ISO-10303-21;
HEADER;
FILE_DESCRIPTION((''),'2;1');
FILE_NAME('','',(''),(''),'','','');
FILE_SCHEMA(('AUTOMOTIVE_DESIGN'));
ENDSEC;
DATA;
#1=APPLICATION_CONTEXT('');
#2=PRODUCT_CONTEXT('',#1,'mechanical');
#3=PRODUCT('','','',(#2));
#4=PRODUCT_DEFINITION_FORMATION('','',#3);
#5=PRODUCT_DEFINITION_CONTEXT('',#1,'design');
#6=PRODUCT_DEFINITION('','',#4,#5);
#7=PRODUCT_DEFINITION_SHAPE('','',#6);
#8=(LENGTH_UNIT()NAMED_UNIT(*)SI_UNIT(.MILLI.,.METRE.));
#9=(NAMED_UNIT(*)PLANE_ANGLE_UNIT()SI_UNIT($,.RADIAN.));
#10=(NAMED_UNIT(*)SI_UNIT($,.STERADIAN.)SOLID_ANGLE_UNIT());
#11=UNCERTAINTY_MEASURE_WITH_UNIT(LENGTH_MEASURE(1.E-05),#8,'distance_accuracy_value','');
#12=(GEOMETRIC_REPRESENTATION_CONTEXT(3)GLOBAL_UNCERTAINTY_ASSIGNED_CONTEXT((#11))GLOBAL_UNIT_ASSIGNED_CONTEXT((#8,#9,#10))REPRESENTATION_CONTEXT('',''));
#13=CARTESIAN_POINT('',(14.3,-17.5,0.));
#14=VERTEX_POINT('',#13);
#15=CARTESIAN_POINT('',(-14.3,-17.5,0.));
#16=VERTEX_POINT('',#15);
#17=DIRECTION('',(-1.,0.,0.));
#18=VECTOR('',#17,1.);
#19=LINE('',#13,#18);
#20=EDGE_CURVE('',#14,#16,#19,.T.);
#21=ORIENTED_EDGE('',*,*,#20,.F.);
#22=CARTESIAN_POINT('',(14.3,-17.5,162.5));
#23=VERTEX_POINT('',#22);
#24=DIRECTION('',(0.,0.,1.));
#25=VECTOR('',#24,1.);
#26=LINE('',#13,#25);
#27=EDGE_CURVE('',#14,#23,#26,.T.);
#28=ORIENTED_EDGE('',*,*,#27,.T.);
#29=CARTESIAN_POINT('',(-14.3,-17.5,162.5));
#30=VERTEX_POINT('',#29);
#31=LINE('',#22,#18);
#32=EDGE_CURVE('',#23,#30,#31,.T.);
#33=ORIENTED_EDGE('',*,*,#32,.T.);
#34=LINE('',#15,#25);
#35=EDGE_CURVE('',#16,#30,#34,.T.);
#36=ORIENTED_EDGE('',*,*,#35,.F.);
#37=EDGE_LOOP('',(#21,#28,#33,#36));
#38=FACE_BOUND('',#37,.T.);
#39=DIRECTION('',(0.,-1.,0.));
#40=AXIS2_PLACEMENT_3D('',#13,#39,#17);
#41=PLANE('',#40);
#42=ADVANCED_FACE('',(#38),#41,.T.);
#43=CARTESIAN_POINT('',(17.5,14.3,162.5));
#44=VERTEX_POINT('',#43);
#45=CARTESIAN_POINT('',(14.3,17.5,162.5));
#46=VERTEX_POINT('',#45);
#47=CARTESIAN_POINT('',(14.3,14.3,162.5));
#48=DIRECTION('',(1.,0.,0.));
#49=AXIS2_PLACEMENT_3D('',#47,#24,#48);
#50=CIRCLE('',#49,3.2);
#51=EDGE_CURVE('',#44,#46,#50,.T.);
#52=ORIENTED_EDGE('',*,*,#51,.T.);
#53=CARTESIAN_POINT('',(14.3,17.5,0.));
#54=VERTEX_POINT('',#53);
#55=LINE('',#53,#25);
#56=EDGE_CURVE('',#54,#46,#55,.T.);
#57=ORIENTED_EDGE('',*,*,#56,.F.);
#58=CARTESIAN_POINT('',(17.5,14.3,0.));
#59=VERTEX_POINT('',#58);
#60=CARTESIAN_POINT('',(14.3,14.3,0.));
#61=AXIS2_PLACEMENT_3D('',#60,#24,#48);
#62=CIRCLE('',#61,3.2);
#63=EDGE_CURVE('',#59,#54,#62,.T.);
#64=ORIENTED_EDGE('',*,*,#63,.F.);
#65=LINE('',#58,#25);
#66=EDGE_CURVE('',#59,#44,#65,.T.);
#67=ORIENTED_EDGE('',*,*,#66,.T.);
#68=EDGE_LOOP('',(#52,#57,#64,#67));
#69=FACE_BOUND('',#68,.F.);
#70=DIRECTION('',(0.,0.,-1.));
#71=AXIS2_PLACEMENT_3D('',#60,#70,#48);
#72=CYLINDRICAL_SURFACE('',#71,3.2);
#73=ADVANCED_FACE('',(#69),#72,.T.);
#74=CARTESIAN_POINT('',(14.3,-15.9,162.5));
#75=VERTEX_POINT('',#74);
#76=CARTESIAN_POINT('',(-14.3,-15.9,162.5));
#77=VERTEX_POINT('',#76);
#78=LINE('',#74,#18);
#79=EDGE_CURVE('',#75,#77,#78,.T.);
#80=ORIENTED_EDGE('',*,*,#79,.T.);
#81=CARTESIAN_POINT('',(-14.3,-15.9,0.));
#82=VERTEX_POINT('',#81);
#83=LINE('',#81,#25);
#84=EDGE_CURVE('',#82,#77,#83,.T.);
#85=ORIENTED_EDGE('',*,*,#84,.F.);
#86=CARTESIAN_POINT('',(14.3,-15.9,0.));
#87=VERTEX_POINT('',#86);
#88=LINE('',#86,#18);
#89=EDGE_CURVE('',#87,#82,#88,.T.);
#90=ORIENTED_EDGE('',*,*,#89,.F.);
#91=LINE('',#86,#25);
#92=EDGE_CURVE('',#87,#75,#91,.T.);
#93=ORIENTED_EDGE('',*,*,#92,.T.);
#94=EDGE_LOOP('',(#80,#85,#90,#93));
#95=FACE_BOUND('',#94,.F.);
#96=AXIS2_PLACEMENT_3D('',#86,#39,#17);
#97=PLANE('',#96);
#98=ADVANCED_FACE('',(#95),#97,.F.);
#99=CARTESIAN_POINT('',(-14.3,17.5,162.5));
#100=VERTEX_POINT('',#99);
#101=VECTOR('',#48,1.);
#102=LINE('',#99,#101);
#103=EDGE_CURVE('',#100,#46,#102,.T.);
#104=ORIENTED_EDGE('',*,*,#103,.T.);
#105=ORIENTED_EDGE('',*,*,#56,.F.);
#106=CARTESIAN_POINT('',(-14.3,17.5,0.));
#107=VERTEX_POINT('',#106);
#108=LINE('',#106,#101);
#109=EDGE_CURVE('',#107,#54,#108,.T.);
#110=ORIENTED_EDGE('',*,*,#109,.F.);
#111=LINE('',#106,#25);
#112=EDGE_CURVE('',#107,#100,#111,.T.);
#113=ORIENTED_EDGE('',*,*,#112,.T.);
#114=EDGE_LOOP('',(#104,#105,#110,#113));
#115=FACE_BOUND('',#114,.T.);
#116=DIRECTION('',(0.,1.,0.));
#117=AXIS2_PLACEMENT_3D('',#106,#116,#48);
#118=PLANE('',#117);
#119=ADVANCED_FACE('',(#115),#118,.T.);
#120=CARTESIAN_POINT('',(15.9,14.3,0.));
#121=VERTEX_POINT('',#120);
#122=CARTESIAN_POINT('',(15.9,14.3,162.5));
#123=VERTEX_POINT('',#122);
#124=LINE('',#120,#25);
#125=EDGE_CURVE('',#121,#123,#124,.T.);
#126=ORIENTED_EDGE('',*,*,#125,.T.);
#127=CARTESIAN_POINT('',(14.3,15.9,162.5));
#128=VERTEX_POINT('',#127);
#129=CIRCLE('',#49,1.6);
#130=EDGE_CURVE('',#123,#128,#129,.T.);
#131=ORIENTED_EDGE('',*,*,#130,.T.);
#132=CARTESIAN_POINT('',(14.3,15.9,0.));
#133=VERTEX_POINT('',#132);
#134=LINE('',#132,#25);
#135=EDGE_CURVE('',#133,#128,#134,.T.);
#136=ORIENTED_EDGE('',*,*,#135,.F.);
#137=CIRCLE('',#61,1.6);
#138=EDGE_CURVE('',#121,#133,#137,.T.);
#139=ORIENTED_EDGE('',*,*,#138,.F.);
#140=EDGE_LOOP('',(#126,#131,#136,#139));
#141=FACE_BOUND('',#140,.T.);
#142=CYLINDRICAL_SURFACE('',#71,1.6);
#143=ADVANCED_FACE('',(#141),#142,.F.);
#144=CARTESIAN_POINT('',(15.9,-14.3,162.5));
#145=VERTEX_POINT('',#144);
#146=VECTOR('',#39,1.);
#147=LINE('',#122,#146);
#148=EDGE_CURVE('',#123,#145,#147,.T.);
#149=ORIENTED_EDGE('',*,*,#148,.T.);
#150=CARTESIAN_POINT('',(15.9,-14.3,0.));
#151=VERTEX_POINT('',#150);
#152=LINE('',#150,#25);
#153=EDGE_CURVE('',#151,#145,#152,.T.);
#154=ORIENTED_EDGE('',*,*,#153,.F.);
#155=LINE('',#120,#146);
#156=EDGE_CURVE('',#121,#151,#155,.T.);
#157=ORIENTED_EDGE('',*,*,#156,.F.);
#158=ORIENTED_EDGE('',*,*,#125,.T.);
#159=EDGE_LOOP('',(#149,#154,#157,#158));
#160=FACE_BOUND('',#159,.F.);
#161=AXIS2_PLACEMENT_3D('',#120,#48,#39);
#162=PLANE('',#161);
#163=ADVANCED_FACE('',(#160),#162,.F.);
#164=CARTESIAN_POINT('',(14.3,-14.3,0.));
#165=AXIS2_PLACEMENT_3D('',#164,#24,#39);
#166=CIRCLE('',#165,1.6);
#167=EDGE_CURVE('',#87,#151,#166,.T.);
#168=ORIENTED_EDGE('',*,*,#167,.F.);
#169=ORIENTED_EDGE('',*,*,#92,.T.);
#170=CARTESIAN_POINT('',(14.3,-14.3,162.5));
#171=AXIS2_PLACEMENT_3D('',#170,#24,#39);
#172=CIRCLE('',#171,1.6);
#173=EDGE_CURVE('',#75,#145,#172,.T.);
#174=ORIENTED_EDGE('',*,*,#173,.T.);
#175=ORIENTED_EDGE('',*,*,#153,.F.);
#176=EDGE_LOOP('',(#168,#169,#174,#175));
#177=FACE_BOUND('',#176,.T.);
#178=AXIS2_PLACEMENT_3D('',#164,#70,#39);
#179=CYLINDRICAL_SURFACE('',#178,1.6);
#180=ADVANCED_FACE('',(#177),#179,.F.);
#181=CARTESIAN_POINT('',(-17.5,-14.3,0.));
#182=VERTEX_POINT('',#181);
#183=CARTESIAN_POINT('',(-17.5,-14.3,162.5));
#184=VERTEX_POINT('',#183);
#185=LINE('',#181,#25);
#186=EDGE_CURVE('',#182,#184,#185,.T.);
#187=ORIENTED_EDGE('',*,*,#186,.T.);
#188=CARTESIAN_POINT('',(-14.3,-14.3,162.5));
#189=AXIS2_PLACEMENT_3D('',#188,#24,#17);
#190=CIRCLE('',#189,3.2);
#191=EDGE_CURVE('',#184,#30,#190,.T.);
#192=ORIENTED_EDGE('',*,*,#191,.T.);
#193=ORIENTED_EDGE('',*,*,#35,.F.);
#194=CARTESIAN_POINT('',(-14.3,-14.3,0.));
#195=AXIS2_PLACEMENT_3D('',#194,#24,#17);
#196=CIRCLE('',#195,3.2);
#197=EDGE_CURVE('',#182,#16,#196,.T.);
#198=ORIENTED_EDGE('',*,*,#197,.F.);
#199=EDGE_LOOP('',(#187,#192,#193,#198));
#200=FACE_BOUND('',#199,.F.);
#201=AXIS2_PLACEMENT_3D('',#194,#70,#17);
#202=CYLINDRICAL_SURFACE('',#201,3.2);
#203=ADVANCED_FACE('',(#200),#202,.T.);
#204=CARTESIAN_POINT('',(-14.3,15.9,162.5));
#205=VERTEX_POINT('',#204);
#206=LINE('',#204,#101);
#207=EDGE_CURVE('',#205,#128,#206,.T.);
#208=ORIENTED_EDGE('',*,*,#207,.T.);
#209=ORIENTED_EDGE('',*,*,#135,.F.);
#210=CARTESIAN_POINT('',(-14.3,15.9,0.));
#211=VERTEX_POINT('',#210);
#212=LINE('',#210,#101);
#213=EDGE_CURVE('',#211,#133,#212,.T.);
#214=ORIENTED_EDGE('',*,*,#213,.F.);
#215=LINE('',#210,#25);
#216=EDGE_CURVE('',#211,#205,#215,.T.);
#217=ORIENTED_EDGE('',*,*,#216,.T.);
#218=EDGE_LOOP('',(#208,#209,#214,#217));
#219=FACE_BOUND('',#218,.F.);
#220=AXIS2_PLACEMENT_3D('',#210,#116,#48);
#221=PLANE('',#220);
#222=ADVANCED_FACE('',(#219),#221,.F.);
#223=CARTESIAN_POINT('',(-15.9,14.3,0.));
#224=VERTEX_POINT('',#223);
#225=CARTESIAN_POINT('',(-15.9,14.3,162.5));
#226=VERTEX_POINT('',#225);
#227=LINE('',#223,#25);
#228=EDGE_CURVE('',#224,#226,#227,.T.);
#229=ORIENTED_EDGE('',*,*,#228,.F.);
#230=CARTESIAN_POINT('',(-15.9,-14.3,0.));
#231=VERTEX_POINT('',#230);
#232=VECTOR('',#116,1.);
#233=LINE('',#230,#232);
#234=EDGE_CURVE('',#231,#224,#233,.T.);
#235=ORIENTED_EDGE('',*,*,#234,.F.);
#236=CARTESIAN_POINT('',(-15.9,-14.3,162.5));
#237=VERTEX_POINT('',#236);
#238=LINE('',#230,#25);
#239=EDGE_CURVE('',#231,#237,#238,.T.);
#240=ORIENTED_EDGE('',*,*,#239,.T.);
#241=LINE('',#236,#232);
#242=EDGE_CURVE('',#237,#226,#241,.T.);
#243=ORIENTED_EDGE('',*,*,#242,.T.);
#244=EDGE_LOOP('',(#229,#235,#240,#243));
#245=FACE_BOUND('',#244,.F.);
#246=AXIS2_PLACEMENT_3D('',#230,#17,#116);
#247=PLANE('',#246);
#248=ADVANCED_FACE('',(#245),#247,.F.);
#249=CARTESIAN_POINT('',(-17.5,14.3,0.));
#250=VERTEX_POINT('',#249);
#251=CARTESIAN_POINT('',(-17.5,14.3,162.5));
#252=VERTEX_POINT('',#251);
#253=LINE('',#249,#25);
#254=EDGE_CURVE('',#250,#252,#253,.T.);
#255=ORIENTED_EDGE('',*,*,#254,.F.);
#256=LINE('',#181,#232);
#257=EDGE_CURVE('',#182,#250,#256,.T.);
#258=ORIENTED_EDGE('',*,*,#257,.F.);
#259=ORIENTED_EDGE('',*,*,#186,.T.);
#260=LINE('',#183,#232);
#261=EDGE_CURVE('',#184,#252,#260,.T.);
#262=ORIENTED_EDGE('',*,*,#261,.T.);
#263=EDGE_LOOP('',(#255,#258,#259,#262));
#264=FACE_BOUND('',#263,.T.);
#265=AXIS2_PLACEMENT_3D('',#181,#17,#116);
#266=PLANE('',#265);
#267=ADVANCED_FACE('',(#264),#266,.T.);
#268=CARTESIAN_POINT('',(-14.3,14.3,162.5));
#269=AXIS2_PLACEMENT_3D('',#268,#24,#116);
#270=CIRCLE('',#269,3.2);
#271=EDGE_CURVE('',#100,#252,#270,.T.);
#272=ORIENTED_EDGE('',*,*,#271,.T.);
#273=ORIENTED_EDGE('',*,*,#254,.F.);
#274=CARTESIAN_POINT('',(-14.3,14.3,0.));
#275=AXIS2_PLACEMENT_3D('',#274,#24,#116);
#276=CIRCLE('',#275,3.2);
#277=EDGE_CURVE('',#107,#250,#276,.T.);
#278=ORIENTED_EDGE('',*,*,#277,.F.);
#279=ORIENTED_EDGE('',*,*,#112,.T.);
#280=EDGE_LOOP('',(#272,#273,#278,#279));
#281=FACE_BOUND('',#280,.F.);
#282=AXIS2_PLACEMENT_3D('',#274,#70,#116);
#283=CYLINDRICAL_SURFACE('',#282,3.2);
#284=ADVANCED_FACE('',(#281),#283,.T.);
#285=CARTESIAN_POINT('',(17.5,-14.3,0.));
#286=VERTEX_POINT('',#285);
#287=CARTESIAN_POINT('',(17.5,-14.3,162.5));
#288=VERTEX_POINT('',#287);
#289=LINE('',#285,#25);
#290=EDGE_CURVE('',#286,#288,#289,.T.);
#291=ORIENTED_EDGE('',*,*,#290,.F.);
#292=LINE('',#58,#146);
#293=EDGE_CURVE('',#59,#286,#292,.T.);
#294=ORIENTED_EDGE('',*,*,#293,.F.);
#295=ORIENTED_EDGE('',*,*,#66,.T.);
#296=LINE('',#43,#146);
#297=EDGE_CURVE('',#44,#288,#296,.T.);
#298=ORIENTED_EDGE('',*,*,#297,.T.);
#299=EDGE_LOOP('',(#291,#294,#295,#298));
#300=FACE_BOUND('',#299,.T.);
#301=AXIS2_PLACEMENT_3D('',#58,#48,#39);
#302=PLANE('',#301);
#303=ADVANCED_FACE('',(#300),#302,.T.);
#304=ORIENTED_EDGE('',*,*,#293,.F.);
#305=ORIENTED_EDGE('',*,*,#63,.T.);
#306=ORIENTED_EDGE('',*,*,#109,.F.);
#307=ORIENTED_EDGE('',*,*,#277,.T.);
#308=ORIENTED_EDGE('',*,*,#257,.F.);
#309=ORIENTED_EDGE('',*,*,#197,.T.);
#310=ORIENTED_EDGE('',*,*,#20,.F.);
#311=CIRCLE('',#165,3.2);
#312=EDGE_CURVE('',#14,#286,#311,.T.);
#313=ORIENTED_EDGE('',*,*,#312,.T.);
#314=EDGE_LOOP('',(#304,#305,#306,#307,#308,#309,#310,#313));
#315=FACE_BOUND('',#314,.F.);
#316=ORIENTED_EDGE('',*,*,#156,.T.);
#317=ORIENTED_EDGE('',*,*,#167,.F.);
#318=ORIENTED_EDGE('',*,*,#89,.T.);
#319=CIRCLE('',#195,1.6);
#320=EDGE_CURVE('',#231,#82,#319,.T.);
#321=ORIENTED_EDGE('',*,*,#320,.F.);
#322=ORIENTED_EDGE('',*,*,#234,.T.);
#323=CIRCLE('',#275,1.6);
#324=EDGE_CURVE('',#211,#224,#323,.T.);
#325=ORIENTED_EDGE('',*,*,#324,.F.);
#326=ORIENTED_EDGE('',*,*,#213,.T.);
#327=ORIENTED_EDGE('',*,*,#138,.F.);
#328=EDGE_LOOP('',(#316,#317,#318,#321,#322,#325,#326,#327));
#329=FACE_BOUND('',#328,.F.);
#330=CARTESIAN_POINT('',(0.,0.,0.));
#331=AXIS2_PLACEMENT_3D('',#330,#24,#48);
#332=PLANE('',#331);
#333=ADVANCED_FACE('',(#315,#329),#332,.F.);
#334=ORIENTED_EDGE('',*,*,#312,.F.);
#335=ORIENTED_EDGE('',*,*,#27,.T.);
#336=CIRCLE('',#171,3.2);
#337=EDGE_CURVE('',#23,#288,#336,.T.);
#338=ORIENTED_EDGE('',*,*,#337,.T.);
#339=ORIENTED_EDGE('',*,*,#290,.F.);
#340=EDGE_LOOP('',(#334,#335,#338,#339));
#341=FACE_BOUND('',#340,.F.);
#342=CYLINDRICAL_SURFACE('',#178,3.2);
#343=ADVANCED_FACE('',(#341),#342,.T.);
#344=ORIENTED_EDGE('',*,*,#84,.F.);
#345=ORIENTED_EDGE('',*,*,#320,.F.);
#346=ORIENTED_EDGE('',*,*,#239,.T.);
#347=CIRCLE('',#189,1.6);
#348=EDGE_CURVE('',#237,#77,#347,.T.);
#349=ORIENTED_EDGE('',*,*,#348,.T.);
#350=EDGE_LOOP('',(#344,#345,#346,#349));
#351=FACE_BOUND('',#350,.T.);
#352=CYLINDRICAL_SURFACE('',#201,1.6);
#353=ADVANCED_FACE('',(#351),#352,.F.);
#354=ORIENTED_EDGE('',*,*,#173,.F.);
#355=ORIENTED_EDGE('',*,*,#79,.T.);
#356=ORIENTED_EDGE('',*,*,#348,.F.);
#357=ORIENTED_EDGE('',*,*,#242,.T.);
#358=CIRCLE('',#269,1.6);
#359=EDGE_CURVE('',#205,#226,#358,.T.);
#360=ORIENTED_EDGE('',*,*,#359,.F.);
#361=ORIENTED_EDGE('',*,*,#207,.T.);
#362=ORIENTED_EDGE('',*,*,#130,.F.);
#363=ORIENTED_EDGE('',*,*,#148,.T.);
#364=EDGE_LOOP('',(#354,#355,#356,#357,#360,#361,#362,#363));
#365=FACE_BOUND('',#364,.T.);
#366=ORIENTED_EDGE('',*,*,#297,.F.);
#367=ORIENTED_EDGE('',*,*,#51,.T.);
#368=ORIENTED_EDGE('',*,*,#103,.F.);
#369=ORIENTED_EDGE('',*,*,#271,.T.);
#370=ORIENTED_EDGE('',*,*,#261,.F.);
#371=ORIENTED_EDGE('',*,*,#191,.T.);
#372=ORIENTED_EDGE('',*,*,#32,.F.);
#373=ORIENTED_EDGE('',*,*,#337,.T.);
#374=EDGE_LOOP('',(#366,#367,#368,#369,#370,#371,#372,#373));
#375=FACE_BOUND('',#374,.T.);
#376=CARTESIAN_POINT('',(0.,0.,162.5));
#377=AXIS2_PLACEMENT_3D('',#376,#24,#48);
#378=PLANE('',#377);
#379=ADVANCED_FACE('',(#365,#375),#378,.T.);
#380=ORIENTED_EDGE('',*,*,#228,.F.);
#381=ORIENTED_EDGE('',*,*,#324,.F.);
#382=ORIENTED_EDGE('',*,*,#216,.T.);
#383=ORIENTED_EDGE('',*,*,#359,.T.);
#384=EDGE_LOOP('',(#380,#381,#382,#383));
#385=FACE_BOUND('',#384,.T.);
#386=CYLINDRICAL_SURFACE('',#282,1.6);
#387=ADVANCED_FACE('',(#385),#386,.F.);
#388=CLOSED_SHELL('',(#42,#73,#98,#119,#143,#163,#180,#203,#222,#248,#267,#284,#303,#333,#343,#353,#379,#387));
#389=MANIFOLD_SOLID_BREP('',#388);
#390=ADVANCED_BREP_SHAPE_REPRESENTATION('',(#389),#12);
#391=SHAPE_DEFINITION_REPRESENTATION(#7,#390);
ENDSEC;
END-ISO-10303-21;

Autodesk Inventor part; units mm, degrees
ref_plane "Start plane" through (0, 0, 0) normal (0, 0, 1) x (1, 0, 0)
ref_plane "End plane" through (0, 0, 162.5) normal (0, 0, 1) x (1, 0, 0)
sketch "Sketch" plane through (0, 0, 0) normal (0, 0, 1) x (1, 0, 0)
  line L0 (-17.5, -14.3) -> (-17.5, 14.3)
  line L1 (-14.3, 17.5) -> (14.3, 17.5)
  line L2 (17.5, 14.3) -> (17.5, -14.3)
  line L3 (14.3, -17.5) -> (-14.3, -17.5)
  arc A0 (-17.5, -14.3) -> (-14.3, -17.5) centre (-14.3, -14.3) ccw
  arc A1 (-14.3, 17.5) -> (-17.5, 14.3) centre (-14.3, 14.3) ccw
  arc A2 (17.5, 14.3) -> (14.3, 17.5) centre (14.3, 14.3) ccw
  arc A3 (14.3, -17.5) -> (17.5, -14.3) centre (14.3, -14.3) ccw
  arc A4 (-14.3, 15.9) -> (-15.9, 14.3) centre (-14.3, 14.3) ccw
  line L4 (-14.3, 15.9) -> (14.3, 15.9)
  arc A5 (15.9, 14.3) -> (14.3, 15.9) centre (14.3, 14.3) ccw
  line L5 (15.9, 14.3) -> (15.9, -14.3)
  arc A6 (14.3, -15.9) -> (15.9, -14.3) centre (14.3, -14.3) ccw
  line L6 (14.3, -15.9) -> (-14.3, -15.9)
  arc A7 (-15.9, -14.3) -> (-14.3, -15.9) centre (-14.3, -14.3) ccw
  line L7 (-15.9, -14.3) -> (-15.9, 14.3)
  line L8 (0, 25.4278) -> (0, -25.4278) construction
  line L9 (-25.4278, 0) -> (25.4278, 0) construction
  dimension "d7" = 3.2
  dimension "d10" = 35
  dimension "d11" = 35
  dimension "d12" = 1.6
  dimension "d15" = 17.5
  dimension "d16" = 17.5
extrude "Body" add sketch "Sketch" along normal up to surface (162.5 mm away) from surface at 0
sketch "Sketch3" plane through (0, 0, 0) normal (0, 0, 1) x (1, 0, 0)
  line L0 (0, 0) -> (10, 0)
ref_plane "Work Plane3" through (0, 0, 0) normal (0, -1, 0) x (1, 0, 0)
sketch "Sketch4" plane through (0, 0, 0) normal (0, -1, 0) x (1, 0, 0)
  line L0 (-2, 0) -> (12, 0)
  line L1 (-2, 162.5) -> (12, 162.5)
  dimension "d18" = 162.5
ref_plane "Work Plane6" through (0, -17.5, 162.5) normal (0, 0, 1) x (1, 0, 0)
split "Split3" plane through (0, -17.5, 162.5) removes the side toward (0, 0, 1)
equation "\"d7\" = G_IR"
equation "\"d10\" = G_H"
equation "\"d11\" = G_W"
equation "\"d12\" = G_T"
equation "\"d15\" = 0.5 * d10"
equation "\"d16\" = 0.5 * d11"
equation "\"d3\" = G_L"
equation "\"G_W\" = 35"
equation "\"G_H\" = 35"
equation "\"G_T\" = 1.6"
equation "\"G_IR\" = 3.2"
equation "\"G_L\" = d18"
equation "\"G_OFFSET_START\" = 0"
equation "\"G_OFFSET_END\" = -17.5"
equation "\"d14\" = G_OFFSET_END + B_L"
equation "\"B_L\" = 180"
properties part number "AS C350L0 35x35x3.0 SHS 00000055" material "Steel, Mild"
